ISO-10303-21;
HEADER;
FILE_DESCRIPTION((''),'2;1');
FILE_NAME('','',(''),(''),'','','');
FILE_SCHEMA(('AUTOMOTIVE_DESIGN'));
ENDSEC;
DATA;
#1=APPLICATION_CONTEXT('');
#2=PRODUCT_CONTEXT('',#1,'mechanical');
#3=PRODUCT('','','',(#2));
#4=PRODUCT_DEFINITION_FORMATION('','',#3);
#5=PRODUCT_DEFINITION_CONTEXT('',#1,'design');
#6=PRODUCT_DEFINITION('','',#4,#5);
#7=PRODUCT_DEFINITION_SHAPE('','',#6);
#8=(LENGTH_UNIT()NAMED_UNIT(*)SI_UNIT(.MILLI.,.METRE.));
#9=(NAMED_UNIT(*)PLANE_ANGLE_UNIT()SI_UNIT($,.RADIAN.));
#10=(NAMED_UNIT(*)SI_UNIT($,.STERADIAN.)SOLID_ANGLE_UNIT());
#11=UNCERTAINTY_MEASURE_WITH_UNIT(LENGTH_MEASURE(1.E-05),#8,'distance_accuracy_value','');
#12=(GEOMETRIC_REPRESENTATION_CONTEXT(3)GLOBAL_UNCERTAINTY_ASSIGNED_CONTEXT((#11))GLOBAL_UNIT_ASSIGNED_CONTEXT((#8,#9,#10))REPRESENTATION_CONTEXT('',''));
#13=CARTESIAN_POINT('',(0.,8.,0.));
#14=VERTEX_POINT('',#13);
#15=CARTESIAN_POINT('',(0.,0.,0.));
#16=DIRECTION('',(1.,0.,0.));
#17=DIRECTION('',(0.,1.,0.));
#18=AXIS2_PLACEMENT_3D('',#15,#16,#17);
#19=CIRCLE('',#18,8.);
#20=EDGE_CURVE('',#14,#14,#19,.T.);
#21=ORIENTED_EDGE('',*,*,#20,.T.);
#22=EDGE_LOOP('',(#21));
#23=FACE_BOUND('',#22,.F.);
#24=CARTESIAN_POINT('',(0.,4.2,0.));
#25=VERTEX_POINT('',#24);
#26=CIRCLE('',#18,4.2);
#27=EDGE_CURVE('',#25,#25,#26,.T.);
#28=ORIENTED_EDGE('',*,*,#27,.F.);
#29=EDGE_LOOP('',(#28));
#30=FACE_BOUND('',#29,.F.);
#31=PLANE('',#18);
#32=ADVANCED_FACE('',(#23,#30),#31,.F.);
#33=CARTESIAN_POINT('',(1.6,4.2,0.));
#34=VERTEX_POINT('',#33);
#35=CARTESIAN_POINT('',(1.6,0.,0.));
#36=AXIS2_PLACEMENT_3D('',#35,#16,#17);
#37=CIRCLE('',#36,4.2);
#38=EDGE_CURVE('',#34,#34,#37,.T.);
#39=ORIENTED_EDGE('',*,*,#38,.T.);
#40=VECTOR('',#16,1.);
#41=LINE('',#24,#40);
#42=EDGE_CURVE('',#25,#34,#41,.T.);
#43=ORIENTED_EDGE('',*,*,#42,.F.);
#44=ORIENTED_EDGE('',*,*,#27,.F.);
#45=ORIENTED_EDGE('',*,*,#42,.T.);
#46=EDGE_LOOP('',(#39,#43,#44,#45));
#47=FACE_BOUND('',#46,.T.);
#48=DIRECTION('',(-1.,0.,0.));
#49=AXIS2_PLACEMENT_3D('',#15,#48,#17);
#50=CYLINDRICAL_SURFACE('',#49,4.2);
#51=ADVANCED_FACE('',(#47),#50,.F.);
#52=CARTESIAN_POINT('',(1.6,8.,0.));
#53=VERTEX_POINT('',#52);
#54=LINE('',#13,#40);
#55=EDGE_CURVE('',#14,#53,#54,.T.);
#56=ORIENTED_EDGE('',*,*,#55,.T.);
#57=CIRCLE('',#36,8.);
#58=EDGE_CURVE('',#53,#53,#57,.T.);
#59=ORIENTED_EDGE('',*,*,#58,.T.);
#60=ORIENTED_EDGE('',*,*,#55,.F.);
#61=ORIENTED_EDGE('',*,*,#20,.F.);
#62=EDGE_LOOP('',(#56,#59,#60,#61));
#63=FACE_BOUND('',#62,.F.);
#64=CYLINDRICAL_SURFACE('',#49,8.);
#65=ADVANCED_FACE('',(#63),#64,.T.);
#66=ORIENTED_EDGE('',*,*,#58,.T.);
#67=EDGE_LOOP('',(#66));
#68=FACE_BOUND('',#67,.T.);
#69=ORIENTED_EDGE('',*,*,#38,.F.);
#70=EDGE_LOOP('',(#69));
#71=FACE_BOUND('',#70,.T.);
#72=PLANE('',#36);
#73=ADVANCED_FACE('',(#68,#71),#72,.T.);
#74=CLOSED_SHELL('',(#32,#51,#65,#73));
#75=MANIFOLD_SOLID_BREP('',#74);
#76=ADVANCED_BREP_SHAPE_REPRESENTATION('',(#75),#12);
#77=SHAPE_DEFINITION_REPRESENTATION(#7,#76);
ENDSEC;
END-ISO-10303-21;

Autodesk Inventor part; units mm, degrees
ref_plane "YZ Plane" through (0, 0, 0) normal (1, 0, 0) x (0, 1, 0)
ref_plane "XZ Plane" through (0, 0, 0) normal (0, 1, 0) x (-1, 0, 0)
sketch "Sketch" plane through (0, 0, 0) normal (1, 0, 0) x (0, 1, 0)
  circle A0 centre (0, 0) radius 8
  circle A1 centre (0, 0) radius 4.2
  dimension "d0" = 8.4
  dimension "d1" = 16
extrude "Body" add sketch "Sketch" along normal blind 1.6
ref_plane "Work Plane1" through (0, 0, 0) normal (0, 0, 1) x (1, 0, 0)
equation "\"d0\" = SD1"
equation "\"d1\" = SD2"
equation "\"d2\" = SD"
equation "\"SD1\" = 8.4"
equation "\"SD2\" = 16"
equation "\"SD\" = 1.6"
equation "\"NND\" = 8"
properties part number "8mm Washer" material "Stainless Steel"
